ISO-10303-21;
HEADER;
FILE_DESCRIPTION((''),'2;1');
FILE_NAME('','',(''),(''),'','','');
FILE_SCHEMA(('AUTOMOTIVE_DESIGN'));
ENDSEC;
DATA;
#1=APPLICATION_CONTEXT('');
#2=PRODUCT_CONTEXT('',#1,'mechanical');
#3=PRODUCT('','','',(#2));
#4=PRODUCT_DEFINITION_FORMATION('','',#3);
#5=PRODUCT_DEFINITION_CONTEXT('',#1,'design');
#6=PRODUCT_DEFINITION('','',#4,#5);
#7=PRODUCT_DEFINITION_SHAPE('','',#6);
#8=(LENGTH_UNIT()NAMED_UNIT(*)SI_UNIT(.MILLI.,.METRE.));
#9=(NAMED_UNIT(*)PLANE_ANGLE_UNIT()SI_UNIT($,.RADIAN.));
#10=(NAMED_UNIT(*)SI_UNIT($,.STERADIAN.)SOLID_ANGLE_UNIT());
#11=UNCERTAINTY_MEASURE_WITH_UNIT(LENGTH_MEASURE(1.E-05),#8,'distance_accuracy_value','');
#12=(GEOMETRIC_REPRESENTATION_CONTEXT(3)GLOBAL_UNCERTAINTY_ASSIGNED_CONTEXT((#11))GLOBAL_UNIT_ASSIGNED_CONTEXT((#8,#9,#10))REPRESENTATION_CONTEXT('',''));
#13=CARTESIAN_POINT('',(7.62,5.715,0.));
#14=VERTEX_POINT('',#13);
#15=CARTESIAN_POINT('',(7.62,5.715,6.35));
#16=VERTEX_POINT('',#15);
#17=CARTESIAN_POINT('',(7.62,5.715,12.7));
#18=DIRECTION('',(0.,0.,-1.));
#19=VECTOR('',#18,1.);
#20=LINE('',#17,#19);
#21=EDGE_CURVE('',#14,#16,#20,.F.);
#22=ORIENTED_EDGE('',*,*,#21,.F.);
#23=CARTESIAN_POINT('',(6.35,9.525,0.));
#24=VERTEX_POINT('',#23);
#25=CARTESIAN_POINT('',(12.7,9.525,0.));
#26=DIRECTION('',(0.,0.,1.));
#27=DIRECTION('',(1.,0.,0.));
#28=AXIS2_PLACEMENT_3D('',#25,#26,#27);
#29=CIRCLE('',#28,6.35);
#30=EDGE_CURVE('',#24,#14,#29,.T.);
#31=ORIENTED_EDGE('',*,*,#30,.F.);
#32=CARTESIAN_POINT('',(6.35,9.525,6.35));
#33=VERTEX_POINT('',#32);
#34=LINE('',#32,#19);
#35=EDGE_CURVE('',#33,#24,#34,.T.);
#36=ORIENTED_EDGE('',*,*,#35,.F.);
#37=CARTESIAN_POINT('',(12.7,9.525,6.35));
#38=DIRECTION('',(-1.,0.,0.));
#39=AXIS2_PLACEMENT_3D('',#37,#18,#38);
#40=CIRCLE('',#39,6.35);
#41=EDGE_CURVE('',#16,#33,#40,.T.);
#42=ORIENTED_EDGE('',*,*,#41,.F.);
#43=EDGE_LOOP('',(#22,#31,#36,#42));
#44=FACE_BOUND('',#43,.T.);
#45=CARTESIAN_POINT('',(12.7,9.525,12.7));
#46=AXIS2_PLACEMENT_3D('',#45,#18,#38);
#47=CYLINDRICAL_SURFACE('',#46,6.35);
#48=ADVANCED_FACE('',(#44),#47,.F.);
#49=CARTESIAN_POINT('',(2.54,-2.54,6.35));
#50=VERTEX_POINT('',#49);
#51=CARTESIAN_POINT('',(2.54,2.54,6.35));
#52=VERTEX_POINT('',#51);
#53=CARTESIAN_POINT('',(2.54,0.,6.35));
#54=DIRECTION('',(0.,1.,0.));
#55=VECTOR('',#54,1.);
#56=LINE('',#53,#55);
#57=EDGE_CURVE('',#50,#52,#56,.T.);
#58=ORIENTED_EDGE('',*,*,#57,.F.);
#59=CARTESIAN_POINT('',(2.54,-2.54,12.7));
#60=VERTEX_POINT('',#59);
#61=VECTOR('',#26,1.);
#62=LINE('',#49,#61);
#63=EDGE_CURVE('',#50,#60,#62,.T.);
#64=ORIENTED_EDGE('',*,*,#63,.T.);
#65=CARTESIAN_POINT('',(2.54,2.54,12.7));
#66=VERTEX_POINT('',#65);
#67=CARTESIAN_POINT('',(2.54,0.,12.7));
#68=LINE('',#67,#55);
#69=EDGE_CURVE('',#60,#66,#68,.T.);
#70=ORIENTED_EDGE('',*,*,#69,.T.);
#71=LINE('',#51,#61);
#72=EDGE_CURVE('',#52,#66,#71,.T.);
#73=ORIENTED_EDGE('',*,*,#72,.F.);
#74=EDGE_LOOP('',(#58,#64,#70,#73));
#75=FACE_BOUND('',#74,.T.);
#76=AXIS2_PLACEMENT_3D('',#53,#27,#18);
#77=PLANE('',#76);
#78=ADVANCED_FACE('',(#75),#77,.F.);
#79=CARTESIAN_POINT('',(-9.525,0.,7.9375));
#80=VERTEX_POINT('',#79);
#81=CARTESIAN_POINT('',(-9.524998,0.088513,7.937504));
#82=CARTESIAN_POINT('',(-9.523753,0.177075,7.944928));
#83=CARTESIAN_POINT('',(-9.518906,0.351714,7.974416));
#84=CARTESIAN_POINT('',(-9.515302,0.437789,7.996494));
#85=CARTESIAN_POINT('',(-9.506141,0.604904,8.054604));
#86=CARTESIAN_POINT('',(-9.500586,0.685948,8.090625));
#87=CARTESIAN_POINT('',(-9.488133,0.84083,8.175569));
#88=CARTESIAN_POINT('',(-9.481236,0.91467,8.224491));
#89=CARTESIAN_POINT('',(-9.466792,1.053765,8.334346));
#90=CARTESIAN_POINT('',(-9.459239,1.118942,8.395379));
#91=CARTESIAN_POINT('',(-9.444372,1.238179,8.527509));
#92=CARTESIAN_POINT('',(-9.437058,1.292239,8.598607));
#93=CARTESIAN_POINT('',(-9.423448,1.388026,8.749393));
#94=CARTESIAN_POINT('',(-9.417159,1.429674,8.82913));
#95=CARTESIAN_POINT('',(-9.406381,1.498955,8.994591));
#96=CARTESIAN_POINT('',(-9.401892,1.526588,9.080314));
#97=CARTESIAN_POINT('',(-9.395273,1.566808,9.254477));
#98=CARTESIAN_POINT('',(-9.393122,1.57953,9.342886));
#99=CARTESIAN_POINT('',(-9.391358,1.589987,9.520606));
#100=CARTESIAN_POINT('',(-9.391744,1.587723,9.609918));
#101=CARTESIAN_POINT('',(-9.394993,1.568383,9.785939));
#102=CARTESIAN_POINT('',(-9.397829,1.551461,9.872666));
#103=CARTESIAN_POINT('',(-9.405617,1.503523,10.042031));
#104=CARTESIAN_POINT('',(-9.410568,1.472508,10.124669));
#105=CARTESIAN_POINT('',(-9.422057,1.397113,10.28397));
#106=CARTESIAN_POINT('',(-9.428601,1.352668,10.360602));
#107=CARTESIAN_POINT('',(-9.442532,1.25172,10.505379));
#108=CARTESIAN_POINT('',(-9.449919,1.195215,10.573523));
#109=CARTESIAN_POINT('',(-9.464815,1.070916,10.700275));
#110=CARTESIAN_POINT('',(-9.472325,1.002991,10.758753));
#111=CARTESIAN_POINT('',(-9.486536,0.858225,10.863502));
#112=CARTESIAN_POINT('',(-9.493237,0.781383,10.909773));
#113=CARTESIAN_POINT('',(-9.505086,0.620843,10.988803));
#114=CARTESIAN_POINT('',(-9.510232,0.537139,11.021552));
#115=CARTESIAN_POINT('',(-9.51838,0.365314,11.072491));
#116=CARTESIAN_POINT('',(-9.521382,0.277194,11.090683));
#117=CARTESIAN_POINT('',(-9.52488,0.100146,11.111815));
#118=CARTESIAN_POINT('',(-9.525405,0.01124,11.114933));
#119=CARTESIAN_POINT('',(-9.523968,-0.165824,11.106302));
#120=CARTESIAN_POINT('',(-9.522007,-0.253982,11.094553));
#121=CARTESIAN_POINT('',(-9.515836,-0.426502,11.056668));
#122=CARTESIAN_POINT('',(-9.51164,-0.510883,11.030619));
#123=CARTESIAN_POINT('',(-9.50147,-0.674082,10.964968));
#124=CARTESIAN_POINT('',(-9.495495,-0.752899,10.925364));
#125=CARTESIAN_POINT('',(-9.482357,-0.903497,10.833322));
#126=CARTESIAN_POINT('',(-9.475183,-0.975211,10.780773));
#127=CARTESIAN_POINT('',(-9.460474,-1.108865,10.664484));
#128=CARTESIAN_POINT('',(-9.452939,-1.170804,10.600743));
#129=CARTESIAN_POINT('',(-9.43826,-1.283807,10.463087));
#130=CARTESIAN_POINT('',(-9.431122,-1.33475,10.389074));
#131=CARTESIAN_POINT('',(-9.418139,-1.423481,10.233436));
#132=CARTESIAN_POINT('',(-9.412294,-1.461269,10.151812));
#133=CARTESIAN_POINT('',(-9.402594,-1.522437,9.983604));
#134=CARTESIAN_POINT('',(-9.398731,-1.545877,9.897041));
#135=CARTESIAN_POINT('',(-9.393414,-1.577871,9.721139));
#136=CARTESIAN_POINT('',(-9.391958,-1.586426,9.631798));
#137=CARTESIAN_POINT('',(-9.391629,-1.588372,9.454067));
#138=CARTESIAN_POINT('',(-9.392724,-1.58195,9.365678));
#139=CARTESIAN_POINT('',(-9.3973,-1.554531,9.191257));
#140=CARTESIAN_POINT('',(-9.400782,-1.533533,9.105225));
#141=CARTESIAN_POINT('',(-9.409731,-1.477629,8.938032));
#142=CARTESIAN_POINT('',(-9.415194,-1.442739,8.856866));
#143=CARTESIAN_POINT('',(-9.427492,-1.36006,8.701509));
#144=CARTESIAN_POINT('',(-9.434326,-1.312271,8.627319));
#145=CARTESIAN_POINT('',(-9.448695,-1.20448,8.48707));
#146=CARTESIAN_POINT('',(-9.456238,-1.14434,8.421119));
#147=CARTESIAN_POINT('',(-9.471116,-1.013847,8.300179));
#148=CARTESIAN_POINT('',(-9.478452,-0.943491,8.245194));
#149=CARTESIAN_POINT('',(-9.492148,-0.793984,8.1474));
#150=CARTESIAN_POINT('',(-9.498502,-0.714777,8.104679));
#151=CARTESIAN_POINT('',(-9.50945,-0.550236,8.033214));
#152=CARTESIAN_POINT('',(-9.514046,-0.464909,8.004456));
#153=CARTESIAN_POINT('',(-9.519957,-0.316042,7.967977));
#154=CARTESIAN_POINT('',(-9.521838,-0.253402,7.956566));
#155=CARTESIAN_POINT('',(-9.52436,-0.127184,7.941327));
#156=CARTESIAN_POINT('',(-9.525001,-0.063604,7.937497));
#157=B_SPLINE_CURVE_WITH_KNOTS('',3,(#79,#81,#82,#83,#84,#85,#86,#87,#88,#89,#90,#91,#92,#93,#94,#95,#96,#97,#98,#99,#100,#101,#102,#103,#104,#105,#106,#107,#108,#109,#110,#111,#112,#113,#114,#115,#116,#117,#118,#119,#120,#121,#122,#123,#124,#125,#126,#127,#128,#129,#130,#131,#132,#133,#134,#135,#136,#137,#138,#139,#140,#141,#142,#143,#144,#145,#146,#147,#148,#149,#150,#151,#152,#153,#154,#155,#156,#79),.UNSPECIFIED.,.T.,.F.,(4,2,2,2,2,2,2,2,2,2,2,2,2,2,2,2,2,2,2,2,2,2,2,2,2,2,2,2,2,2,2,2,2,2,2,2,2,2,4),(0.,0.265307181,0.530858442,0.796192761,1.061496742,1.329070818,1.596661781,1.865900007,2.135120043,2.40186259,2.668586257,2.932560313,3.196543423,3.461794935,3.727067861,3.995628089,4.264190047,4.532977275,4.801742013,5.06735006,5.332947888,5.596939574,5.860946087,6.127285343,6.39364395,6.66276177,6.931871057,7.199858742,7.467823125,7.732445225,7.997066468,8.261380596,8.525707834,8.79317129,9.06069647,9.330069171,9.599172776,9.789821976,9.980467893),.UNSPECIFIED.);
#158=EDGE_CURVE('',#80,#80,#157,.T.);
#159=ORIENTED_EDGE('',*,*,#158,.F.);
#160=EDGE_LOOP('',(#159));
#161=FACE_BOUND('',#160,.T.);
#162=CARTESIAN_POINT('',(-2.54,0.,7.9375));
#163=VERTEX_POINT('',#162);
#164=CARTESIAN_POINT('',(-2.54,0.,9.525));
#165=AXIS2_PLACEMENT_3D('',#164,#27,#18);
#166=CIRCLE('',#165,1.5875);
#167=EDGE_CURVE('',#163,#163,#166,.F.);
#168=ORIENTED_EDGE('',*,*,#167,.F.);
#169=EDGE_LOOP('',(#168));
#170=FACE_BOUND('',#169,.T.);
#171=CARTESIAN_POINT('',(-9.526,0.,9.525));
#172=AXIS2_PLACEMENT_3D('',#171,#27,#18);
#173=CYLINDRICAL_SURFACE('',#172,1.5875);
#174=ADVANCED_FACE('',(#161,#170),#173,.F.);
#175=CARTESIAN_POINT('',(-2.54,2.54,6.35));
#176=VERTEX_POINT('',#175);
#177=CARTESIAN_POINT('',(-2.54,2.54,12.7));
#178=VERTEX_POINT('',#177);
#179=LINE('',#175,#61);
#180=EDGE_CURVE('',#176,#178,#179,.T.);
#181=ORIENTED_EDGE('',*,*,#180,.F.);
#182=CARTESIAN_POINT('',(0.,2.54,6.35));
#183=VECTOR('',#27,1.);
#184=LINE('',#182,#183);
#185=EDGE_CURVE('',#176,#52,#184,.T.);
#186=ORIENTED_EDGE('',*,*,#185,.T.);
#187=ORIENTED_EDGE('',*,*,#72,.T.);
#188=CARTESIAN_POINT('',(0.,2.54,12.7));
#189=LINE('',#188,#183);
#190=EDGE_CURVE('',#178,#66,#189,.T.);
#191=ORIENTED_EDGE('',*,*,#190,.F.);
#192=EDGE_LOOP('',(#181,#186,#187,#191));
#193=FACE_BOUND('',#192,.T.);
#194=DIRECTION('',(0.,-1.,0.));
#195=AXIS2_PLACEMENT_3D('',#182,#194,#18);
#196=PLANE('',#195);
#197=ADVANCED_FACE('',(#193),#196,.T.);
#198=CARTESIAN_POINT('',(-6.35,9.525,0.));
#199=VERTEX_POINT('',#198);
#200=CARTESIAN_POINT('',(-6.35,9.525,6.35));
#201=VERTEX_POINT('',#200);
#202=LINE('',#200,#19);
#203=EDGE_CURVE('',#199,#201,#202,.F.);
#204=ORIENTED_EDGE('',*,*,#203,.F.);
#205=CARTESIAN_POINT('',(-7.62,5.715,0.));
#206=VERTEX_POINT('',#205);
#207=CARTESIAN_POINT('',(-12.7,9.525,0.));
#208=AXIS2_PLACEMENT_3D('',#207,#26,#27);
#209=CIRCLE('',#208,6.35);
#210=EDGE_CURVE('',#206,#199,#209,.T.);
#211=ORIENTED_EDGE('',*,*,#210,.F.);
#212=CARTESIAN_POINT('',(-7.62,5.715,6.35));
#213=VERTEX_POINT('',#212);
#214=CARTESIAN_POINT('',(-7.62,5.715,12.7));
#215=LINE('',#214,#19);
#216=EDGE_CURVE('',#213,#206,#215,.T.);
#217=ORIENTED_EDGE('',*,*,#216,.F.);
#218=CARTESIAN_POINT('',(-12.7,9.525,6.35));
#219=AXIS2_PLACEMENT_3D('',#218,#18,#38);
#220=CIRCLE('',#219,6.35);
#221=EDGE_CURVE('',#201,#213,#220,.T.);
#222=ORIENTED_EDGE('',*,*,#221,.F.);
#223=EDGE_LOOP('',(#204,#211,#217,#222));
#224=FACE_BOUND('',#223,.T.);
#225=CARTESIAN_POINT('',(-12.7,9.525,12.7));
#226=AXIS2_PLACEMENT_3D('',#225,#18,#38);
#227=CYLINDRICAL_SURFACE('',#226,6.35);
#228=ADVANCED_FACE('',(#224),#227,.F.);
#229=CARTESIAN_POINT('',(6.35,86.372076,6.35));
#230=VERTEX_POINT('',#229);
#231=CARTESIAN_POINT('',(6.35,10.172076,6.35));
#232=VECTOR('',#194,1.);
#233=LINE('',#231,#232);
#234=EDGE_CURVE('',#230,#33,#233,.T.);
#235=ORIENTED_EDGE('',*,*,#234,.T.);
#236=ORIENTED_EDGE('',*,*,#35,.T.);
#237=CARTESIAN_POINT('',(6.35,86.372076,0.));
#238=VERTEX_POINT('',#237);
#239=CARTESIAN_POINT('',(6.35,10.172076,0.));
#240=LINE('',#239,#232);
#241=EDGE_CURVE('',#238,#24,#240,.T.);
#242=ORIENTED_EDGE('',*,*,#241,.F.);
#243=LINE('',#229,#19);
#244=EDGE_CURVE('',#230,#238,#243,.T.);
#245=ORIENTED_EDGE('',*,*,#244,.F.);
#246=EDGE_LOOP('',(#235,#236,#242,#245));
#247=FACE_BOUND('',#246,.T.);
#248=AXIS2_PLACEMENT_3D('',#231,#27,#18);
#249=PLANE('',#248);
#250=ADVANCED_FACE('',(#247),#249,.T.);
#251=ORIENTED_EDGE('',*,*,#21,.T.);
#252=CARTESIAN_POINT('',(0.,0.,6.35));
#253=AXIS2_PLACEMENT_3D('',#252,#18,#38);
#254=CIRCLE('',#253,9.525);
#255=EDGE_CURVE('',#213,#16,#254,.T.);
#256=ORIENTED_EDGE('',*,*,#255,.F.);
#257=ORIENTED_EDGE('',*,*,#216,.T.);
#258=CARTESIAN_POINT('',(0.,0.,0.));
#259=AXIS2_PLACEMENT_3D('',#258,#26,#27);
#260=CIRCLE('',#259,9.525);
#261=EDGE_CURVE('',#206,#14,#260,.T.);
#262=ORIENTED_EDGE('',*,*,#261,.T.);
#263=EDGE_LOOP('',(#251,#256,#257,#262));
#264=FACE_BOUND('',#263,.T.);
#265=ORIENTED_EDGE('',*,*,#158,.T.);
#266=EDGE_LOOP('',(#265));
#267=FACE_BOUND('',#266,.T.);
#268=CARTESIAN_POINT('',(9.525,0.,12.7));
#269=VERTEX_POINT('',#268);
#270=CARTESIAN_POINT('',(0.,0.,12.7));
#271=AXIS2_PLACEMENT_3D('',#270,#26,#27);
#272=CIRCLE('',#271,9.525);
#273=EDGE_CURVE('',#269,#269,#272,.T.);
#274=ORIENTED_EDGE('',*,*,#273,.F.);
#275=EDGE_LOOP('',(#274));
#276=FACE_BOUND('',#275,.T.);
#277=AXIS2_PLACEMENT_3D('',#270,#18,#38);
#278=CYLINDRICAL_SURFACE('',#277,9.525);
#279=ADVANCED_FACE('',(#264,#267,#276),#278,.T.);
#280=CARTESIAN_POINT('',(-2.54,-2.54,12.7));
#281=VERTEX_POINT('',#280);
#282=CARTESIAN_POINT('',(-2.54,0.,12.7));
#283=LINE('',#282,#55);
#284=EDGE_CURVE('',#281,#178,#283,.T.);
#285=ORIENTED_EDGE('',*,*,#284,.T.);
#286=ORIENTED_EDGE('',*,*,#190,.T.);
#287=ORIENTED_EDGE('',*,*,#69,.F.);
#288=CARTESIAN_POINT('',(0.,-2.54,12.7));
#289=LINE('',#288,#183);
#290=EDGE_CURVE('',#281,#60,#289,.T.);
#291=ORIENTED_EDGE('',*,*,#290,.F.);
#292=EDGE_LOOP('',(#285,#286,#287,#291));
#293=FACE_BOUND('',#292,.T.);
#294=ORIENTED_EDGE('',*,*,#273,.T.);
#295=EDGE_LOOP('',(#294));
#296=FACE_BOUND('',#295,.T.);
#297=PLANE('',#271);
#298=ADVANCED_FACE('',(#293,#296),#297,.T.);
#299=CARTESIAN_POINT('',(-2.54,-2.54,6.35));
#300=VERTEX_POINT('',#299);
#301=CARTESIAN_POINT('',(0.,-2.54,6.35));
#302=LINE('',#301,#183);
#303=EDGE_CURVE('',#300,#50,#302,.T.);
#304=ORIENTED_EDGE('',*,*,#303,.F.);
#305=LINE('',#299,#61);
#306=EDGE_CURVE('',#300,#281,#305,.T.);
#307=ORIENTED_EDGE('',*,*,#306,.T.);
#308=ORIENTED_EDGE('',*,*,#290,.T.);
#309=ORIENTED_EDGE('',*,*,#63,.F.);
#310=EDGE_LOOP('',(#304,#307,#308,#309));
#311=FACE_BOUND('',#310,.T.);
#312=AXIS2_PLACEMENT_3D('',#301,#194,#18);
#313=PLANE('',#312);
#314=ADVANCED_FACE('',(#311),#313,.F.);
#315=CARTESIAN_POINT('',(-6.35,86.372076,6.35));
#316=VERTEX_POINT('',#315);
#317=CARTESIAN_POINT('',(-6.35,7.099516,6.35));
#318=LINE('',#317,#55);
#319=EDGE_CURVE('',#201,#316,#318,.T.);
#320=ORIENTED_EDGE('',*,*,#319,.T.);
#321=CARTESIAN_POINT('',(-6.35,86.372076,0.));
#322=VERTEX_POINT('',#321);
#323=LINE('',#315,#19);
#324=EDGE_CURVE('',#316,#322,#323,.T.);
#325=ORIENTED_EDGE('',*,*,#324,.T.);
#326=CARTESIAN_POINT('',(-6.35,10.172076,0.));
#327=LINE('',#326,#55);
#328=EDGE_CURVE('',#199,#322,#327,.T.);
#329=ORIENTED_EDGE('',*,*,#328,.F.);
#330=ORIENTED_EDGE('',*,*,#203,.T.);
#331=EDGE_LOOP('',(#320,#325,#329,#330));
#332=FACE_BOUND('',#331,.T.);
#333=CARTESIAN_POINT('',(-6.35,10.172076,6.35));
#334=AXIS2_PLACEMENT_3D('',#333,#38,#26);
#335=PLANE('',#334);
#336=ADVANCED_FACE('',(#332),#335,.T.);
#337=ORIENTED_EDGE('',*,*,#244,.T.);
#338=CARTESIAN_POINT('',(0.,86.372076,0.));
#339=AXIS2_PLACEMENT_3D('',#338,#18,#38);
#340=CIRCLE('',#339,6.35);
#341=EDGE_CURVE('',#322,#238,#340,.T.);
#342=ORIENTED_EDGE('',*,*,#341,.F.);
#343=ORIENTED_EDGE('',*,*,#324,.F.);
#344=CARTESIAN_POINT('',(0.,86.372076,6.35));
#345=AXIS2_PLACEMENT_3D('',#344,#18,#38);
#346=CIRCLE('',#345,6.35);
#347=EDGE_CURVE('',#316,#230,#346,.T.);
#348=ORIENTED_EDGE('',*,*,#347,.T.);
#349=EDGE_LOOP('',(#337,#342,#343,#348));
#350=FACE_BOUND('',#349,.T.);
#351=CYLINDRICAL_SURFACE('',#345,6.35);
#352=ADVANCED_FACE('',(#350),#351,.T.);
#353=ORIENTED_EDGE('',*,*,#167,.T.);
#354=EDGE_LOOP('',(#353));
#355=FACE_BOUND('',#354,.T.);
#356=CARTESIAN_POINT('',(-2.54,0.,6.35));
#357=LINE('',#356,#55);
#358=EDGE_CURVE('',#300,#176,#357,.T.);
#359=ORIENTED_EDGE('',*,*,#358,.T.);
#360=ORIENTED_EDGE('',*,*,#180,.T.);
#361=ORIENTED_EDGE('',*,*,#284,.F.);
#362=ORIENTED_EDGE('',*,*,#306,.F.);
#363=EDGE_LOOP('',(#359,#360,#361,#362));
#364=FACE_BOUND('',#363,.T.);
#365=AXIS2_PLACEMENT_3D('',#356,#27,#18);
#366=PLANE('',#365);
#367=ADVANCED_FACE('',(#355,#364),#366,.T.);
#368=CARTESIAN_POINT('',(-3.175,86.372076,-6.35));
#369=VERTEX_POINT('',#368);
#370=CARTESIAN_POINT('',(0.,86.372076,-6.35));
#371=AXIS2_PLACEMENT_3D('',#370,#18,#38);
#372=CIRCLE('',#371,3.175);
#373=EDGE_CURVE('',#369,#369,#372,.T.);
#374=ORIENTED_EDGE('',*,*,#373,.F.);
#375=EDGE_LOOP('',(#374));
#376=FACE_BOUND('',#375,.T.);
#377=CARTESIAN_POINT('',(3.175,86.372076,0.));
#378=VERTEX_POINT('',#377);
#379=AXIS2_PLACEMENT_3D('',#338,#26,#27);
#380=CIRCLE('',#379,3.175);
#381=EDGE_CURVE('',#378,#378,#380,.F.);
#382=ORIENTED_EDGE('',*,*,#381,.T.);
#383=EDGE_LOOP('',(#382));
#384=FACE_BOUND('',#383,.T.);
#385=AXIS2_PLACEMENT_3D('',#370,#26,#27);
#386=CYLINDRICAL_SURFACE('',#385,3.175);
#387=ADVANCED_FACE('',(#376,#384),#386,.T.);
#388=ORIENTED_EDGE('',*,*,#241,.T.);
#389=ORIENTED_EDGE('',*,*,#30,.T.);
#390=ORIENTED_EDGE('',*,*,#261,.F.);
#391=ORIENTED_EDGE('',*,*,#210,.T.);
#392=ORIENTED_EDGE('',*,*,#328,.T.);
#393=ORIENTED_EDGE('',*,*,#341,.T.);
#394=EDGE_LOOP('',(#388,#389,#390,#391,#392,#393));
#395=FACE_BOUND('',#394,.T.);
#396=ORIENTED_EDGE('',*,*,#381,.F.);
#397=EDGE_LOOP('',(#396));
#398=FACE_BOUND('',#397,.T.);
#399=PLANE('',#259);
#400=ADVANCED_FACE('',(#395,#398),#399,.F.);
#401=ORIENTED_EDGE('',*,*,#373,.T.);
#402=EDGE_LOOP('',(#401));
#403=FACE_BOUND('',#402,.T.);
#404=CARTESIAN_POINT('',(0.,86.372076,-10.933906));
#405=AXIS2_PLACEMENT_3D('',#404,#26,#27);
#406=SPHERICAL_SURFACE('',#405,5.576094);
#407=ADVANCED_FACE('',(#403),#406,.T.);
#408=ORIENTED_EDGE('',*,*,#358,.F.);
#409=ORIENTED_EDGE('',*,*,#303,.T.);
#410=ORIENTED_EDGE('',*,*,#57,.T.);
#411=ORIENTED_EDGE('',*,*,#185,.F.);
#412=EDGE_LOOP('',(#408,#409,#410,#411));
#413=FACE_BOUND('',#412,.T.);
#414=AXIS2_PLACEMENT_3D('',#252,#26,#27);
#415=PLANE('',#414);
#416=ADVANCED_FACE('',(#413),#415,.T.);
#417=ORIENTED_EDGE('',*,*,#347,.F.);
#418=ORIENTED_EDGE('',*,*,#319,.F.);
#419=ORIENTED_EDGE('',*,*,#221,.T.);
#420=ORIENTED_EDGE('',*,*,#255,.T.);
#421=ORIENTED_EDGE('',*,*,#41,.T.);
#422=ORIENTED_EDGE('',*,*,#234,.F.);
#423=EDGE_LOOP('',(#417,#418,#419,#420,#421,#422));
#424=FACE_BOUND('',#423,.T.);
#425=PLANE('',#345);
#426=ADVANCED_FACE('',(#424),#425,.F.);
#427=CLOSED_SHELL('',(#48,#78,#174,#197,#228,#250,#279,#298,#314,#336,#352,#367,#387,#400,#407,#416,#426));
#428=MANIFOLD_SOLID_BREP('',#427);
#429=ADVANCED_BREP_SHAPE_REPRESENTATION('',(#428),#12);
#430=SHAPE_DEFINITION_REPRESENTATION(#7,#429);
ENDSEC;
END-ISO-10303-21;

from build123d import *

# Parameters (mm, degrees)
SKETCH1_R           = 9.525
BOSS_EXTRUDE1_DEPTH = 12.7
SKETCH2_W           = 5.08
SKETCH2_H           = 5.08
CUT_EXTRUDE2_DEPTH  = 6.35
BOSS_EXTRUDE2_DEPTH = 6.35
FILLET2_R           = 6.35
CUT_EXTRUDE3_REACH  = 14.065
SKETCH5_R           = 1.5875
SKETCH4_R           = 3.175
BOSS_EXTRUDE3_DEPTH = 6.35
DOME1_FACE_RADIUS   = 3.175
DOME1_HEIGHT        = 10.16


with BuildPart() as part:
    # Sketch1 → Boss-Extrude1 (new body)
    with BuildSketch(Plane.XY):
        Circle(SKETCH1_R)
    extrude(amount=BOSS_EXTRUDE1_DEPTH)

    # Sketch2 → Cut-Extrude2 (cut)
    with BuildSketch(Plane.XY.offset(12.7)):
        Rectangle(SKETCH2_W, SKETCH2_H)
    extrude(amount=-CUT_EXTRUDE2_DEPTH, mode=Mode.SUBTRACT)

    # Sketch3 → Boss-Extrude2 (add)
    with BuildSketch(Plane(origin=(0, 0, 0), x_dir=(-1, 0, 0), z_dir=(0, 0, -1))):
        with BuildLine():
            Line((-6.35, 10.172076103), (-6.35, 7.099515829))
            Line((-6.35, 7.099515829), (6.35, 7.099515829))
            Line((6.35, 7.099515829), (6.35, 10.172076103))
            Line((6.35, 10.172076103), (6.35, 86.372076103))
            ThreePointArc((6.35, 86.372076103), (0, 92.722076103), (-6.35, 86.372076103))
            Line((-6.35, 86.372076103), (-6.35, 10.172076103))
        make_face()
    extrude(amount=-BOSS_EXTRUDE2_DEPTH)

    # Fillet2
    fillet2_edges = [part.edges().sort_by_distance(p)[0] for p in [
        (-6.35, 7.099515829, 3.175),
        (6.35, 7.099515829, 3.175),
    ]]
    fillet(fillet2_edges, radius=FILLET2_R)

    # Sketch5 → Cut-Extrude3 (cut, up to next)
    with BuildSketch(Plane.ZY.offset(-2.54), mode=Mode.PRIVATE) as cut_extrude3_sk1:
        with Locations((9.525, 0)):
            Circle(SKETCH5_R)
    cut_extrude3_tool1 = extrude(cut_extrude3_sk1.sketch, amount=CUT_EXTRUDE3_REACH, mode=Mode.PRIVATE) & part.part
    add(cut_extrude3_tool1.solids().sort_by_distance((2.54, 0, 9.525))[0], mode=Mode.SUBTRACT)

    # Sketch4 → Boss-Extrude3 (add)
    with BuildSketch(Plane(origin=(0, 0, 0), x_dir=(-1, 0, 0), z_dir=(0, 0, -1))):
        with Locations((0, 86.372076103)):
            Circle(SKETCH4_R)
    extrude(amount=BOSS_EXTRUDE3_DEPTH)

    # Dome1: a dome of height H over a round flat face of radius A is a cap of a sphere of radius (A * A + H * H) / (2 * H)
    dome1_r = (DOME1_FACE_RADIUS * DOME1_FACE_RADIUS + DOME1_HEIGHT * DOME1_HEIGHT) / (2 * DOME1_HEIGHT)
    dome1_base = Plane((0, 86.372076103, -6.35), z_dir=(0, 0, -1))
    with Locations(dome1_base.offset(DOME1_HEIGHT - dome1_r)):
        dome1_ball = Sphere(dome1_r, mode=Mode.PRIVATE)
    add(split(dome1_ball, bisect_by=dome1_base, keep=Keep.TOP, mode=Mode.PRIVATE))


solid = part.part
